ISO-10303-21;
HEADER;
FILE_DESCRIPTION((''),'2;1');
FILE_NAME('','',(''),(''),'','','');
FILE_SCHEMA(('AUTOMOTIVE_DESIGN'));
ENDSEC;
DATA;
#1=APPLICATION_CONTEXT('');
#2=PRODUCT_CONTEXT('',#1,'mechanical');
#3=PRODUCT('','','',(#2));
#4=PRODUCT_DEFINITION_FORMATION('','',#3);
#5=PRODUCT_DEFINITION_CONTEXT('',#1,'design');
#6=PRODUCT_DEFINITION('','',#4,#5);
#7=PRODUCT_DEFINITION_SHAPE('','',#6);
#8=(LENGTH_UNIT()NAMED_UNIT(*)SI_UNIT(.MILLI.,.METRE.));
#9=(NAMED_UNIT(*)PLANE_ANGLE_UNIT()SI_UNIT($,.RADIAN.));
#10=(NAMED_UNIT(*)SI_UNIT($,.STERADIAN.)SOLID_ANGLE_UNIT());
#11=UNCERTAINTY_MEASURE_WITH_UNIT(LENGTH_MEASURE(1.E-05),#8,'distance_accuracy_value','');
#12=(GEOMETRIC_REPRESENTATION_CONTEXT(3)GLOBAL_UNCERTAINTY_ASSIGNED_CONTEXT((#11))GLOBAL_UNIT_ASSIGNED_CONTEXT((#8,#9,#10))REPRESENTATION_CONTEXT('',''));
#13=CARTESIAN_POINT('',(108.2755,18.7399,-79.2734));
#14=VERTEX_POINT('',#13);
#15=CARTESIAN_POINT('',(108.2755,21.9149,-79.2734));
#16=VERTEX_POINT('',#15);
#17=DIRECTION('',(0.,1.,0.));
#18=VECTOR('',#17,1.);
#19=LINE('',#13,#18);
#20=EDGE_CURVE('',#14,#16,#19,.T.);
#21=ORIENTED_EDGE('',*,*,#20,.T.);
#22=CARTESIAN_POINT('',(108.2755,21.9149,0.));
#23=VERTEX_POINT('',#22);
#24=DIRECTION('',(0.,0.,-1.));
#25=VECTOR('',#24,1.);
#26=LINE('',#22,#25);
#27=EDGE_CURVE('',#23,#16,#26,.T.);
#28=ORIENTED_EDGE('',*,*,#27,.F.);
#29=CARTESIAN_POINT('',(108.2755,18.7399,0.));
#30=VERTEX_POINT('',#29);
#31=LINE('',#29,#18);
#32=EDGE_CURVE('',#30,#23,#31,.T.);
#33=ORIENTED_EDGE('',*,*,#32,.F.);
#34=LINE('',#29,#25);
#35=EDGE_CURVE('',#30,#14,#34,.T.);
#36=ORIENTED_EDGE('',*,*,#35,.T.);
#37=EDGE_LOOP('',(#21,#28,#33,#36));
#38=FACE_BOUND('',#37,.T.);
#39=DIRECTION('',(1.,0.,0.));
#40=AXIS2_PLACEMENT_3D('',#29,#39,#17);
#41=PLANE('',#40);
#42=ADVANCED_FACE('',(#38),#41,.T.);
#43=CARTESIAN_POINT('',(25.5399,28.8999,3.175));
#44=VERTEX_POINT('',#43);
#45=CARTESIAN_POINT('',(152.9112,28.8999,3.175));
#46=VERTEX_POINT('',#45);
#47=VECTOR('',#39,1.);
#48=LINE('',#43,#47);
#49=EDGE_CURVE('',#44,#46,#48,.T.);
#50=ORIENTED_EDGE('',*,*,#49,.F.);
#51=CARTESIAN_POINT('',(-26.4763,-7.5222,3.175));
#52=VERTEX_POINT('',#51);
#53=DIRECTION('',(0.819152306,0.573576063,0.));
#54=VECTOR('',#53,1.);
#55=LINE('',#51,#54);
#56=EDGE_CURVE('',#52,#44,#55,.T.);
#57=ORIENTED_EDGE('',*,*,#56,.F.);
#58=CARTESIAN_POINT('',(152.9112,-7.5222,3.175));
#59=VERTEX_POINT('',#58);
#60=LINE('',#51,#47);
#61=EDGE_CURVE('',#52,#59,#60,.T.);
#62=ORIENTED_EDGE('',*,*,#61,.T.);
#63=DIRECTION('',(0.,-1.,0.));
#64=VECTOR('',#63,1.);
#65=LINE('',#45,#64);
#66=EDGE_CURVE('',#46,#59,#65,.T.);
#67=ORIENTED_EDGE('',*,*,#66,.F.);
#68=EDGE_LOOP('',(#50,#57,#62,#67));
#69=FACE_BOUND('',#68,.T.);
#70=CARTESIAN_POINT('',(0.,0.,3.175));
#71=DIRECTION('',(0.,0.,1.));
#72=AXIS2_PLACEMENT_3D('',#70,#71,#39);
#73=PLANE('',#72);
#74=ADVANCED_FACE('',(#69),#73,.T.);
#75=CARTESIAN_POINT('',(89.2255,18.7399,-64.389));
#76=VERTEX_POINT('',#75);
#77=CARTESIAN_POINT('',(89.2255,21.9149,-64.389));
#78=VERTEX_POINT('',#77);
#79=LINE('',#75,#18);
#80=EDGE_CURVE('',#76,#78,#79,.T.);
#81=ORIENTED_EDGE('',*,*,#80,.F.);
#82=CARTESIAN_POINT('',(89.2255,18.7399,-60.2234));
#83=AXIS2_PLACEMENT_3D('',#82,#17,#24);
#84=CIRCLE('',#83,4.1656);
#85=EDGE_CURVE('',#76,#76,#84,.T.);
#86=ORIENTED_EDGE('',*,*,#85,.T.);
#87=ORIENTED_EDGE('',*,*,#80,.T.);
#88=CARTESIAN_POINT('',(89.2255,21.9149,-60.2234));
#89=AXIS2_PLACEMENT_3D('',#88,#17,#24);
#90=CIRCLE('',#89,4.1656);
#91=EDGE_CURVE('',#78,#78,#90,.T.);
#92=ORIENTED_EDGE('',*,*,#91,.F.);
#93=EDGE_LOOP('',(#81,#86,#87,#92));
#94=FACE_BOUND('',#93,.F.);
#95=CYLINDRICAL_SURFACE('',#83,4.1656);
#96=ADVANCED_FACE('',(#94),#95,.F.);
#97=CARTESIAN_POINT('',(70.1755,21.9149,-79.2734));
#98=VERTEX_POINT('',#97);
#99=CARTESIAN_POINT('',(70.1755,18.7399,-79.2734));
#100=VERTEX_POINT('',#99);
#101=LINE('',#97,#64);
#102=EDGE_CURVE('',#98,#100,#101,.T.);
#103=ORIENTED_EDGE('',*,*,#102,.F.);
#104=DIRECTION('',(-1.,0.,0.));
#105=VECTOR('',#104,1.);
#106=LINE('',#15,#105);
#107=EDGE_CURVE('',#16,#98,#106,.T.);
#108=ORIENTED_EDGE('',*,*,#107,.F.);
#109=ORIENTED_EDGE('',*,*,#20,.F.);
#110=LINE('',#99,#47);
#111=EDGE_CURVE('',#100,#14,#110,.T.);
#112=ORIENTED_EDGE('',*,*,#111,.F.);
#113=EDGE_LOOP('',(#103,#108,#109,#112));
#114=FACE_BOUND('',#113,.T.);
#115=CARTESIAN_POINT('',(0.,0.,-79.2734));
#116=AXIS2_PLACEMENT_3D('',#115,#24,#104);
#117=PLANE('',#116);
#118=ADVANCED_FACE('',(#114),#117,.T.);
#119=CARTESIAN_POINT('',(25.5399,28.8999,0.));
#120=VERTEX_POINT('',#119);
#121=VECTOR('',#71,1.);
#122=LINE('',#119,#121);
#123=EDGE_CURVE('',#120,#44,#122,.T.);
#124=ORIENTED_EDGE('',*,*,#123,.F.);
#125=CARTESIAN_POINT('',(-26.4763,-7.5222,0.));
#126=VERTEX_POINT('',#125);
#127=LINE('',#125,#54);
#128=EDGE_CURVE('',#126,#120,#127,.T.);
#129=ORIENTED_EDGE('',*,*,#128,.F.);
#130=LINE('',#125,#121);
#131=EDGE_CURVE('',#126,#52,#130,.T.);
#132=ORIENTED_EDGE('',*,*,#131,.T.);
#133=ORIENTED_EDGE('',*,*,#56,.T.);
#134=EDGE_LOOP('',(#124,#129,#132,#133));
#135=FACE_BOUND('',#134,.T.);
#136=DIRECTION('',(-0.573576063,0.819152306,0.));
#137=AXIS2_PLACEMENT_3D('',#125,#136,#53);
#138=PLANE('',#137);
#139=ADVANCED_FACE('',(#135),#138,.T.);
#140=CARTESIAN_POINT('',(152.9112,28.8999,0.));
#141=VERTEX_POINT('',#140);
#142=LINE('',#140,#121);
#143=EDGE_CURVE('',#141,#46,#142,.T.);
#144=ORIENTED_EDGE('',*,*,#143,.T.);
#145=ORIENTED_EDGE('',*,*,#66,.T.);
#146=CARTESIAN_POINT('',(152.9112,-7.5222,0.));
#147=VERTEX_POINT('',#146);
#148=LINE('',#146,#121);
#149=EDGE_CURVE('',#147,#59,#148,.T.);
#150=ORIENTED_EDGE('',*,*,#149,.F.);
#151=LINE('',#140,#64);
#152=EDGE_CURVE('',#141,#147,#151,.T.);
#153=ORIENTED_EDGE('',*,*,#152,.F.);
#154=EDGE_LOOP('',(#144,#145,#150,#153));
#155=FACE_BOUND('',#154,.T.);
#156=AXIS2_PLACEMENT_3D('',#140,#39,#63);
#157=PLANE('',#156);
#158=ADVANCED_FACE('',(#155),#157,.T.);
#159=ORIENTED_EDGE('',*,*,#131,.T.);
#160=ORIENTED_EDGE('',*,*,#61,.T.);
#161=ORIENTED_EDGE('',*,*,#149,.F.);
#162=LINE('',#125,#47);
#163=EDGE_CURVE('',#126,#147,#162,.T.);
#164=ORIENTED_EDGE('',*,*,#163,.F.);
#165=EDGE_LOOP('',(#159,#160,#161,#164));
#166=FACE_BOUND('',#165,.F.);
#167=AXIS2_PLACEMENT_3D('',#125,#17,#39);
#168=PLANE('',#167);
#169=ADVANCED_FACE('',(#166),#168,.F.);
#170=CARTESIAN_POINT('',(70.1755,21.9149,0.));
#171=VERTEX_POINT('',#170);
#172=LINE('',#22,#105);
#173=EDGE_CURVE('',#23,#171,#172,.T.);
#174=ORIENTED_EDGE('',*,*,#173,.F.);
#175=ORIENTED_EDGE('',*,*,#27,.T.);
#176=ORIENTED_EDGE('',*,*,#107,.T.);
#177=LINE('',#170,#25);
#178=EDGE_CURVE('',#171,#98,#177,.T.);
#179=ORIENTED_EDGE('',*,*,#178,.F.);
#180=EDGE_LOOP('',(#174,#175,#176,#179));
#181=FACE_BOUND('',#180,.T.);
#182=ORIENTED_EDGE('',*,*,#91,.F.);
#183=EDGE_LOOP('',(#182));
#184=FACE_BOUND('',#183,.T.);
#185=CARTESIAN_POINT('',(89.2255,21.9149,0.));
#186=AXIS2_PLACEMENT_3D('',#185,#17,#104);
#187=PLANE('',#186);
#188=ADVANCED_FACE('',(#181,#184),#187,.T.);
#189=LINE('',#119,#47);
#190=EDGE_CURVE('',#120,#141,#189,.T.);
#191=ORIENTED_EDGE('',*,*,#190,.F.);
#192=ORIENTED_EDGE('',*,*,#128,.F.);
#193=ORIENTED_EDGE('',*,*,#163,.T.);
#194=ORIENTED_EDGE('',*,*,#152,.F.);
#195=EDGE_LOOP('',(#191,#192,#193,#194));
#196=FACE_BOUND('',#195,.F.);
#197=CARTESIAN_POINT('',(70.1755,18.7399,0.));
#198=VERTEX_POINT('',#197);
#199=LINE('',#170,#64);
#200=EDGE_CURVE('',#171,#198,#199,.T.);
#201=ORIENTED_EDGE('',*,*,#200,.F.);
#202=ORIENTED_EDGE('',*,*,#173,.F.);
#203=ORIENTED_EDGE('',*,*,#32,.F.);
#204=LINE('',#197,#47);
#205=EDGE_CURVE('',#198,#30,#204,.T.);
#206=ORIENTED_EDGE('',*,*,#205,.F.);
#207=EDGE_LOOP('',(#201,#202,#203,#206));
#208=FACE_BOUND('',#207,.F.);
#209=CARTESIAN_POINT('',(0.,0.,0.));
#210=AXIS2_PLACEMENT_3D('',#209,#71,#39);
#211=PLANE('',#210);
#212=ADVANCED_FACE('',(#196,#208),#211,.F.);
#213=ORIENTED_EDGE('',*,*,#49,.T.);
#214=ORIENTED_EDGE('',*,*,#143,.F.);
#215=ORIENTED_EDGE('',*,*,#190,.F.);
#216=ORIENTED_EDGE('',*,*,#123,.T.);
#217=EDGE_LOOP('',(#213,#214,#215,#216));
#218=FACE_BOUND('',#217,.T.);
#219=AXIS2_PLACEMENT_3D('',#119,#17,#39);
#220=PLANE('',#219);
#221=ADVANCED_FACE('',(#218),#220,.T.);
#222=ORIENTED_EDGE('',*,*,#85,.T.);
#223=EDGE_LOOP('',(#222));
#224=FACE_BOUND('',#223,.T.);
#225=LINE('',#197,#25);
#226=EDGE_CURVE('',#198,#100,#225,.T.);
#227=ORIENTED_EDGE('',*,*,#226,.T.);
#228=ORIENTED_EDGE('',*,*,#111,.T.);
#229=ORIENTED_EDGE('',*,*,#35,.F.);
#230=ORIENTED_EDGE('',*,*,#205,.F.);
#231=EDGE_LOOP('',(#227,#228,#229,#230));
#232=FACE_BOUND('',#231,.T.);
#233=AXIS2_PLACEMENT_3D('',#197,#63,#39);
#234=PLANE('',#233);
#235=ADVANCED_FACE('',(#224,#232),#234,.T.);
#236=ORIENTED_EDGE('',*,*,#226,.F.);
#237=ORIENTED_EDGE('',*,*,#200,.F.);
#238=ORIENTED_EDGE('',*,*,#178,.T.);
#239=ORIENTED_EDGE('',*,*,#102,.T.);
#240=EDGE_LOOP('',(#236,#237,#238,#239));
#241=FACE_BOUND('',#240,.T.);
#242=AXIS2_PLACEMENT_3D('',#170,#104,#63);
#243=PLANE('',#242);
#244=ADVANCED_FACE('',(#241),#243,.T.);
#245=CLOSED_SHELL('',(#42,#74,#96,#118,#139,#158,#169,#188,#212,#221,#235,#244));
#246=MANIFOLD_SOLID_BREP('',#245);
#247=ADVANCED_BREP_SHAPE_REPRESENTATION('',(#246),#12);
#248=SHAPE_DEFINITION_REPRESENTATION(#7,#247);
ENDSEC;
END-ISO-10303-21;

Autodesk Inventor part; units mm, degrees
ref_plane "YZ Plane" through (0, 0, 0) normal (1, 0, 0) x (0, 1, 0)
ref_plane "XZ Plane" through (0, 0, 0) normal (0, 1, 0) x (-1, 0, 0)
ref_plane "XY Plane" through (0, 0, 0) normal (0, 0, 1) x (1, 0, 0)
sketch "Sketch1" plane through (0, 0, 0) normal (0, 0, 1) x (1, 0, 0)
  line L0 (-26.4763, -7.5222) -> (152.9112, -7.5222)
  line L1 (-26.4763, -7.5222) -> (25.5399, 28.8999)
  line L2 (-26.4763, -7.5222) -> (37.0237, -7.5222) construction
  line L3 (25.5399, 28.8999) -> (152.9112, 28.8999)
  line L4 (152.9112, 28.8999) -> (152.9112, -7.5222)
  point P0 (0, 0)
  dimension "d0" = 179.3875
  dimension "d2" = 63.5
  dimension "d3" = 35
extrude "Extrusion1" add sketch "Sketch1" along normal blind 3.175
sketch "Sketch2" plane through (0, 0, 0) normal (0, 0, -1) x (-1, 0, 0)
  line L0 (-152.9112, -7.5222) -> (-152.9112, 28.8999) projected
  line L1 (-152.9112, 28.8999) -> (-25.5399, 28.8999)
  line L2 (-89.2255, 21.9149) -> (-70.1755, 21.9149)
  line L3 (-70.1755, 21.9149) -> (-70.1755, 18.7399)
  line L4 (-70.1755, 18.7399) -> (-108.2755, 18.7399)
  line L5 (-108.2755, 18.7399) -> (-108.2755, 21.9149)
  line L6 (-108.2755, 21.9149) -> (-89.2255, 21.9149)
  point P0 (0, 0)
  dimension "d7" = 19.05
  dimension "d8" = 3.175
  dimension "d9" = 38.1
  dimension "d10" = 3.175
extrude "Extrusion2" add sketch "Sketch2" along normal blind 79.2734
sketch "Sketch3" plane through (70.1755, 18.7399, 0) normal (0, -1, 0) x (1, 0, 0)
  line L0 (0, -79.2734) -> (19.05, -79.2734)
  line L1 (19.05, -79.2734) -> (19.05, -60.2234)
  line L2 (19.05, -60.2234) -> (0, -60.2234)
  line L3 (0, -60.2234) -> (0, -79.2734)
  point P0 (-70.1755, 0)
  dimension "d13" = 19.05
  dimension "d14" = 19.05
hole "Hole1" at (89.2255, 18.7399, -60.2234) direction (0, 1, 0) diameter 8.3312 end through all
properties part number "Left Forearm"
